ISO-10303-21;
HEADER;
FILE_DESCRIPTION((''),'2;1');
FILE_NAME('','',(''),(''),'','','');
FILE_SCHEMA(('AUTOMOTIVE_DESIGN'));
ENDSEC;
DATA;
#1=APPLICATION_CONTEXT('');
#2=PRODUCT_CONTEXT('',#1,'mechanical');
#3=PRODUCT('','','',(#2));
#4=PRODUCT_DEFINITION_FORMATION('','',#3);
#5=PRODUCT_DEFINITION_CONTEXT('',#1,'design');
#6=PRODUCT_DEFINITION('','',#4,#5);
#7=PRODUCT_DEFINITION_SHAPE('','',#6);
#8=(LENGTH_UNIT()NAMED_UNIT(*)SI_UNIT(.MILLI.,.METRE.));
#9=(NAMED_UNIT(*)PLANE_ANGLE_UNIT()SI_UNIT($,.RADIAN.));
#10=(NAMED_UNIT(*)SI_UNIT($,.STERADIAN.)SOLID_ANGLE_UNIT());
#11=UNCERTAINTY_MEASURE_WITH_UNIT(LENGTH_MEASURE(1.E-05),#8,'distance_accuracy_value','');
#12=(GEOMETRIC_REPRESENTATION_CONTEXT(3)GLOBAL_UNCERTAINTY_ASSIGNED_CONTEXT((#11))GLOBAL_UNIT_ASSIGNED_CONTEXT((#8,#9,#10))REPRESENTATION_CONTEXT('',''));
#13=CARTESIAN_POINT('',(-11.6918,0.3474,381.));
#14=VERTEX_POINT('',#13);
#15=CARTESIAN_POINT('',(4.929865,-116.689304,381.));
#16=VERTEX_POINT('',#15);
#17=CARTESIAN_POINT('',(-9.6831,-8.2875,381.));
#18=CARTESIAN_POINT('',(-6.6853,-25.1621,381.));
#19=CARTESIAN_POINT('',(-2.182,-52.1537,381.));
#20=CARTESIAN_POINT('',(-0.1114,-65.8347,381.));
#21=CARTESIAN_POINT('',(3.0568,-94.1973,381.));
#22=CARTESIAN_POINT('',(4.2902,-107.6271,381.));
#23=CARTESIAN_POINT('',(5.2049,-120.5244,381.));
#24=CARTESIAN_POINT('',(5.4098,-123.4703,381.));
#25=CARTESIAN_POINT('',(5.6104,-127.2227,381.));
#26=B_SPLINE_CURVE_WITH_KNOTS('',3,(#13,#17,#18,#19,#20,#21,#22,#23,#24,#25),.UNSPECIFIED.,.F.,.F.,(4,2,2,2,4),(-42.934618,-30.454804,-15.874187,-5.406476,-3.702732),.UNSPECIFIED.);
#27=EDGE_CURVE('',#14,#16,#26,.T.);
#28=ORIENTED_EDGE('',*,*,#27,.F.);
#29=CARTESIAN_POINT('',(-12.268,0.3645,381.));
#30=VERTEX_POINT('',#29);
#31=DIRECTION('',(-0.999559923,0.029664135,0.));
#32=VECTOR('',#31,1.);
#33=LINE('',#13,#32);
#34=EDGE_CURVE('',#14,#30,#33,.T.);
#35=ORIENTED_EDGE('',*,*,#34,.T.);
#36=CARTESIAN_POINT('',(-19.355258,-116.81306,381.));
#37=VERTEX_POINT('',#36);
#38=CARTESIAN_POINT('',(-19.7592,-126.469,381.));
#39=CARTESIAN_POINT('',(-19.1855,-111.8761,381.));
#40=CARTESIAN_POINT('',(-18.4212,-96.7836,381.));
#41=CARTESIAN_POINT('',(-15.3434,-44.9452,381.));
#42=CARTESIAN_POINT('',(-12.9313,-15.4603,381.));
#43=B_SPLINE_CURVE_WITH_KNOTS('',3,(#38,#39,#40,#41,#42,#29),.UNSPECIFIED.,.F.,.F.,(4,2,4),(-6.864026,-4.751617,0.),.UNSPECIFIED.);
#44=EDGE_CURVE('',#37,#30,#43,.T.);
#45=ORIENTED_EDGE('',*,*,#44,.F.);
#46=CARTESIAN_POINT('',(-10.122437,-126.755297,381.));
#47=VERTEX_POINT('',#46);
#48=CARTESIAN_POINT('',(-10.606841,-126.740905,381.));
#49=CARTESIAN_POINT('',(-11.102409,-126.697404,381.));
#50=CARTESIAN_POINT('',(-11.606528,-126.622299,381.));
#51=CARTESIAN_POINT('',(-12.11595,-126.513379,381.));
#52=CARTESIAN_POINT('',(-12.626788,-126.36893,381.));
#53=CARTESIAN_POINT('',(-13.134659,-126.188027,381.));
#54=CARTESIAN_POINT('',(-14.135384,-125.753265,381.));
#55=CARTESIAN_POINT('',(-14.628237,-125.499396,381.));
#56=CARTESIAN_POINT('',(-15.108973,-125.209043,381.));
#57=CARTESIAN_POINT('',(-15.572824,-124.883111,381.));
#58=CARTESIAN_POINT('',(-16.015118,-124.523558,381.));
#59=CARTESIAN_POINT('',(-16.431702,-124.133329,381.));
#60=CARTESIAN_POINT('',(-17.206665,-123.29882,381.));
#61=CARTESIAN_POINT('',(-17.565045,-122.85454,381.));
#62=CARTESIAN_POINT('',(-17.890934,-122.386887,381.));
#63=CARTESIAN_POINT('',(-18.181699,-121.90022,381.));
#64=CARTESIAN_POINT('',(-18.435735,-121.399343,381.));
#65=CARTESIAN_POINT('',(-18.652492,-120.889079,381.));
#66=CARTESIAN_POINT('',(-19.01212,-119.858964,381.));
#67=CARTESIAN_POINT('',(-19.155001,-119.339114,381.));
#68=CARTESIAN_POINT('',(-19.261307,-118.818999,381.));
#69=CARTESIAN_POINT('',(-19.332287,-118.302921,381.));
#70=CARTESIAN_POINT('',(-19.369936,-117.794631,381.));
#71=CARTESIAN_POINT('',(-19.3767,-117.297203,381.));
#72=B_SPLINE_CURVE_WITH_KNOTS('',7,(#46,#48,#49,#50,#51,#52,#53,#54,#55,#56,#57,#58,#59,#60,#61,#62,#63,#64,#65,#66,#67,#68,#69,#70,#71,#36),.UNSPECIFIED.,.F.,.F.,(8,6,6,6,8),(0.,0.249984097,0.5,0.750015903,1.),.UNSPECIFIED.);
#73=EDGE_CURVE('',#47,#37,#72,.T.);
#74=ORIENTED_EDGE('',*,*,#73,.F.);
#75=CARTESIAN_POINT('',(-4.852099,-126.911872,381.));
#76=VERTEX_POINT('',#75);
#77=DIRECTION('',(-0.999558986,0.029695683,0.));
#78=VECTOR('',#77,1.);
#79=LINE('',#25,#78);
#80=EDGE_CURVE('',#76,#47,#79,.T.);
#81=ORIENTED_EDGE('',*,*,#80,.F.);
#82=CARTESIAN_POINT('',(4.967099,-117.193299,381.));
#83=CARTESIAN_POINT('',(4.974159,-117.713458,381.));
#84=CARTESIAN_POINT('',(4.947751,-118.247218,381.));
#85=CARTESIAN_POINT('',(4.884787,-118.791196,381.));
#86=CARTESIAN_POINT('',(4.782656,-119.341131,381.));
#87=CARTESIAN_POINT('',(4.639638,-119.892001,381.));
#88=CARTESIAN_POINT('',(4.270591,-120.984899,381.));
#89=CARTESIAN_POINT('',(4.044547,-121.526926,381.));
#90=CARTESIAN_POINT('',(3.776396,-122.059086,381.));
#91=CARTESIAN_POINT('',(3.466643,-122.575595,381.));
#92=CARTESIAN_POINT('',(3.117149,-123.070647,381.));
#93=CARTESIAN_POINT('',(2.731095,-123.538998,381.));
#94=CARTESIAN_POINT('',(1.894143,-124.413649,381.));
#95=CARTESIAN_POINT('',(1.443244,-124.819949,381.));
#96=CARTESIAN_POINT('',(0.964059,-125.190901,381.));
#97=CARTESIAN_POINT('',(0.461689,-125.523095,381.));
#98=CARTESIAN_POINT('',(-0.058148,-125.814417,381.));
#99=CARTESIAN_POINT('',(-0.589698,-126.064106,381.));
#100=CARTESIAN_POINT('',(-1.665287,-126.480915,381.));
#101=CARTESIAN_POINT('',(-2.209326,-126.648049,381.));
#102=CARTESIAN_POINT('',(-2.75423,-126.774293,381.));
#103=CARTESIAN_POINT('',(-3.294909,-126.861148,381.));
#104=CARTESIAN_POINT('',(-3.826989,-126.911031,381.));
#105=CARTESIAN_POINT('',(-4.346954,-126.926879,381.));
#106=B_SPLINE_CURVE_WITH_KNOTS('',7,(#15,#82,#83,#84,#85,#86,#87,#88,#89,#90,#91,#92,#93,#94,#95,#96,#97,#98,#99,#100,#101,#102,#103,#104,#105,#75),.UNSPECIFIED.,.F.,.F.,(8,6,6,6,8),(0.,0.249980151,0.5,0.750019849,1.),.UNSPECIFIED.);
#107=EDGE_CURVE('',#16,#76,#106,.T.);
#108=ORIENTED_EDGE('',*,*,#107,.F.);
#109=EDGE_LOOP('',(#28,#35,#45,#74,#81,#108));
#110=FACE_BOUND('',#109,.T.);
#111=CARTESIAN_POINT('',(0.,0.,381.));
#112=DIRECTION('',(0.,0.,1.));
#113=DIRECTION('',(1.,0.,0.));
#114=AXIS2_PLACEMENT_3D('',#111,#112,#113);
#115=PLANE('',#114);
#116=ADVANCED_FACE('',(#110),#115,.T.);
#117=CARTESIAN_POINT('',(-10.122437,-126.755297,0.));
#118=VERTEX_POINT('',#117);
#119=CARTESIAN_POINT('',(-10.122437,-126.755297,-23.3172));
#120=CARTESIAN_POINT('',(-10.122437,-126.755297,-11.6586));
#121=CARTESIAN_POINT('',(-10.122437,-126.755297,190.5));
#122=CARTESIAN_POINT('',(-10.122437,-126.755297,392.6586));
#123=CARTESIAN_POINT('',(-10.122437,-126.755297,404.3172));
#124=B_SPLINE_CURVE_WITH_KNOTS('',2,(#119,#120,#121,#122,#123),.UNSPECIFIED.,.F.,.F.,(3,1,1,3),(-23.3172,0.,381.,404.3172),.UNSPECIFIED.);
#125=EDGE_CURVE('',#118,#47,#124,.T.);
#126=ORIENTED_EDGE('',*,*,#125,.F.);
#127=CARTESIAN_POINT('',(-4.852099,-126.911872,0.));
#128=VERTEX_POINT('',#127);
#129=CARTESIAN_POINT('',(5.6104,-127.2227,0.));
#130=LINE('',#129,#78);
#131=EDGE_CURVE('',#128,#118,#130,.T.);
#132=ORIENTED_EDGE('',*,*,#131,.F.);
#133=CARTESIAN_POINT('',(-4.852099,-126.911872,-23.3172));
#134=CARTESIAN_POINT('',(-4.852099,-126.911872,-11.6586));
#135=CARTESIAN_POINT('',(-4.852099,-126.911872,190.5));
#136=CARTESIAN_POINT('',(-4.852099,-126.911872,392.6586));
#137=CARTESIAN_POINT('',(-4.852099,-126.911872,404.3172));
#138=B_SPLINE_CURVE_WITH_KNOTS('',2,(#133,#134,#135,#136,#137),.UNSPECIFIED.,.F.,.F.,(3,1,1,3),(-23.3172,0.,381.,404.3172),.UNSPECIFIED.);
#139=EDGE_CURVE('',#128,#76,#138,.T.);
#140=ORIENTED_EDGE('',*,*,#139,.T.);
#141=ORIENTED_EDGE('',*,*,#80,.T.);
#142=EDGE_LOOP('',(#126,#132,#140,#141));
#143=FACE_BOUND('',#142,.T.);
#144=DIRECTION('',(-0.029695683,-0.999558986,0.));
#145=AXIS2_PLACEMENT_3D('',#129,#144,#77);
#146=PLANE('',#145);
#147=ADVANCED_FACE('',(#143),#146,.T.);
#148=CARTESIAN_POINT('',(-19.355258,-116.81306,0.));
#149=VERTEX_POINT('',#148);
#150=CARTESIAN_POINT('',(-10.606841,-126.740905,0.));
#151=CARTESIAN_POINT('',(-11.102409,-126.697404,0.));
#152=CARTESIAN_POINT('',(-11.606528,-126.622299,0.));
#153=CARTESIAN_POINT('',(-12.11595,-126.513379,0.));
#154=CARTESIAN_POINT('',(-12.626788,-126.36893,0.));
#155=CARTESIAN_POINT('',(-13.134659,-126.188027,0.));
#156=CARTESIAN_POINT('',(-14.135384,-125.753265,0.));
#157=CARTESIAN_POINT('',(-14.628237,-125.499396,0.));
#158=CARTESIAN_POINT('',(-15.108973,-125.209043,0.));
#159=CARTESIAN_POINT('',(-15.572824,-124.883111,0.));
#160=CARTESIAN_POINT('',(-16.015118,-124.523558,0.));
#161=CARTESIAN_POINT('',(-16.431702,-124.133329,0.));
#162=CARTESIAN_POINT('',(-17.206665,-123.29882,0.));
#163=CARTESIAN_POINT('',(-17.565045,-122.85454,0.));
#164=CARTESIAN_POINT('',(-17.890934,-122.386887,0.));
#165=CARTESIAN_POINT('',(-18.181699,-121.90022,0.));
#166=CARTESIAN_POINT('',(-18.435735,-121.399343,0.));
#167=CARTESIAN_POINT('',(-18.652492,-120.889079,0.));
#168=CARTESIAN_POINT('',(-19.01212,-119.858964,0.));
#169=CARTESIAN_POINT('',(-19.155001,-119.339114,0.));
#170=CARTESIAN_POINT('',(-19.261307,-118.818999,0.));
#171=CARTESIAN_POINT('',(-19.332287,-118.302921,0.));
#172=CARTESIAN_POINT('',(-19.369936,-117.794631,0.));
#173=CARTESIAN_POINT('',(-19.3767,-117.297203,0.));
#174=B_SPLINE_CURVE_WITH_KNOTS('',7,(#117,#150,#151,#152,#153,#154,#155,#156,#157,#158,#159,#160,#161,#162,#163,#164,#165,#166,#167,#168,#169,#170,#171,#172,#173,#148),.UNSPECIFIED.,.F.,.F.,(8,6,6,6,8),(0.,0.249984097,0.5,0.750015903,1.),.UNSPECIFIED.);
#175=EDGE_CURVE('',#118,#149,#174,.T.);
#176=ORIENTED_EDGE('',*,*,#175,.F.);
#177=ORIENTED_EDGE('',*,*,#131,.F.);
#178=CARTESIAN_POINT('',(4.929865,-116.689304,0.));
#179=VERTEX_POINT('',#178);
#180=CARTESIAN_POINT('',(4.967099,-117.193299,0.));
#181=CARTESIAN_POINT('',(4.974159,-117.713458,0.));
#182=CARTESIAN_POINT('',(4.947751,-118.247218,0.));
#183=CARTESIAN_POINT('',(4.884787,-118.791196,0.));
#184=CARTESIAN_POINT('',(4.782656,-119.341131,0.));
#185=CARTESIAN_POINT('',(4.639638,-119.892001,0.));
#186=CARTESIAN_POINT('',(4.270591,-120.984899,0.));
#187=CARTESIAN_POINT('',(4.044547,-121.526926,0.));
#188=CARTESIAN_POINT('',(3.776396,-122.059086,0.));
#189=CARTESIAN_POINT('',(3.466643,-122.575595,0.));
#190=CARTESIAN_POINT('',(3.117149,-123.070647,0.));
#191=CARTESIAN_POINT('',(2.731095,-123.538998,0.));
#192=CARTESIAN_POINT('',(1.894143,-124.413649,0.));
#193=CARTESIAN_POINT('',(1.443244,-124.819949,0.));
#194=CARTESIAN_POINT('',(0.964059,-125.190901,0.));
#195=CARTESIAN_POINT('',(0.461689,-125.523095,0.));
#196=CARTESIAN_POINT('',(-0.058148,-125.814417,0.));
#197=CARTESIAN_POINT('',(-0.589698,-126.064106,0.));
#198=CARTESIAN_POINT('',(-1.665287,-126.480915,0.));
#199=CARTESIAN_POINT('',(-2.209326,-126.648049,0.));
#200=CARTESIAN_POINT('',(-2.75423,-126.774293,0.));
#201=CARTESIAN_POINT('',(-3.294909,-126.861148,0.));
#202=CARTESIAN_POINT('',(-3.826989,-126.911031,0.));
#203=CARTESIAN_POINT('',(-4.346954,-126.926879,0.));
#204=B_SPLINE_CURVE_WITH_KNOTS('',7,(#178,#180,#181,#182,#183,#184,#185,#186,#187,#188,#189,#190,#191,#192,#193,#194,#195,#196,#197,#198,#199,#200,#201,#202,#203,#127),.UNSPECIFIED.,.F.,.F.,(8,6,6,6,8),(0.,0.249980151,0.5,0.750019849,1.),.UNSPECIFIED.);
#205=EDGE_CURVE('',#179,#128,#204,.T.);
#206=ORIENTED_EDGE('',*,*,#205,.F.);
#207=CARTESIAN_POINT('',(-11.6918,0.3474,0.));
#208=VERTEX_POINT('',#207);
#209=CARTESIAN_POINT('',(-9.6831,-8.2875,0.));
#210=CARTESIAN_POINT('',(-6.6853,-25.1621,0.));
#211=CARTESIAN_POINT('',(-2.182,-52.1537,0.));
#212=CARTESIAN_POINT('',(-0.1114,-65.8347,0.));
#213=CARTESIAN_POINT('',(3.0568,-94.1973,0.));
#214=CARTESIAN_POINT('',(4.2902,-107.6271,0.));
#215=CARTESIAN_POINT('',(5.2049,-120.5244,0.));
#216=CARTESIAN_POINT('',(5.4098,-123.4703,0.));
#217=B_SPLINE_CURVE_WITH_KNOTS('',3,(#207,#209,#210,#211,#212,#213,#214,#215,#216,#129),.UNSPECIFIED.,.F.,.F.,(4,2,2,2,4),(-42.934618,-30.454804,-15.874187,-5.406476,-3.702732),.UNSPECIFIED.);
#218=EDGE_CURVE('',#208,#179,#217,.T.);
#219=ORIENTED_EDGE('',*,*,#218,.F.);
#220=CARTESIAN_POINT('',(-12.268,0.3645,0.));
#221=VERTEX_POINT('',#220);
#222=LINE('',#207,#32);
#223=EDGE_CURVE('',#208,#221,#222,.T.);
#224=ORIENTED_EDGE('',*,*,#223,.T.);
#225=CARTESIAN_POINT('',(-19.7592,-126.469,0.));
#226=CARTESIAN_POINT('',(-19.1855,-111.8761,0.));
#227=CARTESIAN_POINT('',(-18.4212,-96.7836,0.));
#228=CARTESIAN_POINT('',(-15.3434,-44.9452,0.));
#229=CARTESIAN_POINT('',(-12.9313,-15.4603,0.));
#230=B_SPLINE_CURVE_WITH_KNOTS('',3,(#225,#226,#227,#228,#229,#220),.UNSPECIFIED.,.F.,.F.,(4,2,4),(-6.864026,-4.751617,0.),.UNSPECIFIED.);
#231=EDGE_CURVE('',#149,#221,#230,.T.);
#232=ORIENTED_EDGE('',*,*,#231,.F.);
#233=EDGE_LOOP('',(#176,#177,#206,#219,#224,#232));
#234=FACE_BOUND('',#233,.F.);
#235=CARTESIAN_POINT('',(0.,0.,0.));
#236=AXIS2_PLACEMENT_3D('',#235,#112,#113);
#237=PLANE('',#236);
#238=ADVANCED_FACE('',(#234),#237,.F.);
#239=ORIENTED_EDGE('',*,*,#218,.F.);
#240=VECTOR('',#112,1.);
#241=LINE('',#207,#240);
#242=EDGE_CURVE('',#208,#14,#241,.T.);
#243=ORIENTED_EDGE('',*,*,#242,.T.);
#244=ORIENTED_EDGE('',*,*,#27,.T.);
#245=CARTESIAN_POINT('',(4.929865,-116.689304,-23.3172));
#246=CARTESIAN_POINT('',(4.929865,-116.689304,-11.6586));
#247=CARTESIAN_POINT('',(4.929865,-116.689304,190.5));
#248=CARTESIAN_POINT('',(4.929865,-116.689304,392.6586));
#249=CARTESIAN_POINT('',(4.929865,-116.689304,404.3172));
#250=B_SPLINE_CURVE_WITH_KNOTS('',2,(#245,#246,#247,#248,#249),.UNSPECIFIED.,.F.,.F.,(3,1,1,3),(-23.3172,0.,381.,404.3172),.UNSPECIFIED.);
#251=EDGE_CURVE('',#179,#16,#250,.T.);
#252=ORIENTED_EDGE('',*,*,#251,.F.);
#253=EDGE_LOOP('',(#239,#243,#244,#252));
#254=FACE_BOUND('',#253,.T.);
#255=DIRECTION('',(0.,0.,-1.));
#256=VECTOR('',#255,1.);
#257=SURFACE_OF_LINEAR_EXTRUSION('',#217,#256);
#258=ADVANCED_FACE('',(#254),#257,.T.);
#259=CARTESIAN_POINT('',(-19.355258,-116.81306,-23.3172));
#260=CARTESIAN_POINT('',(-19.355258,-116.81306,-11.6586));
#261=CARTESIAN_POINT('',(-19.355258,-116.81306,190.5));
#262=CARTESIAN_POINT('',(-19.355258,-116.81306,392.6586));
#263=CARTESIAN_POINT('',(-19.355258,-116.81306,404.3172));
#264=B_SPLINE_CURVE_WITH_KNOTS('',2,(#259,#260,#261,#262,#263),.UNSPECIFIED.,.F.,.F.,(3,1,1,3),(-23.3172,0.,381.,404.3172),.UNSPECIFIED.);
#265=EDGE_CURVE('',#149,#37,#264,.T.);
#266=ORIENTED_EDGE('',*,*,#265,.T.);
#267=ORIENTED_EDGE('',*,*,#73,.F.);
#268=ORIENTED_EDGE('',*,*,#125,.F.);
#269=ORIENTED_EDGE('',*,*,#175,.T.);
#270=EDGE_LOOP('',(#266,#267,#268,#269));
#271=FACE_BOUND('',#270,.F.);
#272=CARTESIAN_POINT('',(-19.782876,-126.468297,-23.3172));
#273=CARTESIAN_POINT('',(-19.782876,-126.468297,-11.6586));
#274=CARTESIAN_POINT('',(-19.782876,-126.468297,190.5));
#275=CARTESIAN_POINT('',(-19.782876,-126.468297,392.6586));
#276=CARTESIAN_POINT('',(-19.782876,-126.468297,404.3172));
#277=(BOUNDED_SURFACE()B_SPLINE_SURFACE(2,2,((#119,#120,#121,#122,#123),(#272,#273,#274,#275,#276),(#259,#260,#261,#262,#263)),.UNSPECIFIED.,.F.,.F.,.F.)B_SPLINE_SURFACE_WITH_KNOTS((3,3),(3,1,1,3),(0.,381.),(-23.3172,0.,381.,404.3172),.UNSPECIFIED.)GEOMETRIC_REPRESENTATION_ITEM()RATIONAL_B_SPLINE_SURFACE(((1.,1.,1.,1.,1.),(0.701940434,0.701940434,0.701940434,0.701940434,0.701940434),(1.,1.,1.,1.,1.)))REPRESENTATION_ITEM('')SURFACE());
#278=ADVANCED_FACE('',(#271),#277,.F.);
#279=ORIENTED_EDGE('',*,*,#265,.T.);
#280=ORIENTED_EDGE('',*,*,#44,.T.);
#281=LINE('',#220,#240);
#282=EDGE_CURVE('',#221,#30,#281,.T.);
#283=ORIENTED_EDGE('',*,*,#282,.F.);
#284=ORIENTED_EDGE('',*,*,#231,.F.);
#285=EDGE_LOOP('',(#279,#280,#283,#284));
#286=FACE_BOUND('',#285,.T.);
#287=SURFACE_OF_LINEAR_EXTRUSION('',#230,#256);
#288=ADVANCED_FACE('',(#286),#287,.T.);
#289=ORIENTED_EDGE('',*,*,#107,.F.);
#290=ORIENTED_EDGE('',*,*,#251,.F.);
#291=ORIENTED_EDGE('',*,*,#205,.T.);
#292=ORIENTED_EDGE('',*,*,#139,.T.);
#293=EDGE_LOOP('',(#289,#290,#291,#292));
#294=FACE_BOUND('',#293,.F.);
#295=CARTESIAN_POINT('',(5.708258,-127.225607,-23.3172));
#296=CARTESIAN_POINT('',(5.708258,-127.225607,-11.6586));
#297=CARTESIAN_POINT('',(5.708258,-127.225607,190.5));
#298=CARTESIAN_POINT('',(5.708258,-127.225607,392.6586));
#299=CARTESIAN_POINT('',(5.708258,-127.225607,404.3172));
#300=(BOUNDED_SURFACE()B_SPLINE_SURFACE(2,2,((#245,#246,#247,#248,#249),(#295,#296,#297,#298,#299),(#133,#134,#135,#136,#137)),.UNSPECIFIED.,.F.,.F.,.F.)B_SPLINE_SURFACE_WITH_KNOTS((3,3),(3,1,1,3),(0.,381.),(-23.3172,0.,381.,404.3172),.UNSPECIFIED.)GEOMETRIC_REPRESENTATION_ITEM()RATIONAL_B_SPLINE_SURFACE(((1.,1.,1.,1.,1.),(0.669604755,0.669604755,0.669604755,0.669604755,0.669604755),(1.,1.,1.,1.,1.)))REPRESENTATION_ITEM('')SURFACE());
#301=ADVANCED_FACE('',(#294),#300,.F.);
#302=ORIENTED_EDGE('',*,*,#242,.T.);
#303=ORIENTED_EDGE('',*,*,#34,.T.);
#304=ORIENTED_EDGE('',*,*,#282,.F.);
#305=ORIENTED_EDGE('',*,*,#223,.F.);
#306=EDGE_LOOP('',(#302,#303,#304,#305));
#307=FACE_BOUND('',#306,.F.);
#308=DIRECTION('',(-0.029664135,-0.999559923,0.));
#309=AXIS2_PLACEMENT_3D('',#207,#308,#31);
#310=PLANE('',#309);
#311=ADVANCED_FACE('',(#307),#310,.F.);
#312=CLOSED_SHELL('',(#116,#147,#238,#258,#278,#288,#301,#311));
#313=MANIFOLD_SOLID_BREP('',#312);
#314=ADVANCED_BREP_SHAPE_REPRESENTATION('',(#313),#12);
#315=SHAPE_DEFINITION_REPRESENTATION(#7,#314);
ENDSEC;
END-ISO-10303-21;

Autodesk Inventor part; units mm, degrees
ref_plane "YZ Plane" through (0, 0, 0) normal (1, 0, 0) x (0, 1, 0)
ref_plane "XZ Plane" through (0, 0, 0) normal (0, 1, 0) x (-1, 0, 0)
ref_plane "Work Plane1" through (0, 0, 0) normal (0, 0, 1) x (1, 0, 0)
sketch "Sketch1" plane through (0, 0, 0) normal (0, 0, 1) x (1, 0, 0)
  spline S0 degree 3 poles (-11.6918, 0.3474) (-9.6831, -8.2875) (-6.6853, -25.1621) (-2.182, -52.1537) (-0.1114, -65.8347) (3.0568, -94.1973) (4.2902, -107.6271) (5.2049, -120.5244) (5.4098, -123.4703) (5.6104, -127.2227) knots -42.934618 -42.934618 -42.934618 -42.934618 -30.454804 -30.454804 -15.874187 -15.874187 -5.406476 -5.406476 -3.702732 -3.702732 -3.702732 -3.702732 projected
  line L0 (-11.6918, 0.3474) -> (-12.268, 0.3645) projected
  spline S1 degree 3 poles (-19.7592, -126.469) (-19.1855, -111.8761) (-18.4212, -96.7836) (-15.3434, -44.9452) (-12.9313, -15.4603) (-12.268, 0.3645) knots -6.864026 -6.864026 -6.864026 -6.864026 -4.751617 -4.751617 0 0 0 0 projected
  line L1 (5.6104, -127.2227) -> (-19.7592, -126.469) projected
  point P0 (0, 0)
ref_plane "Work Plane2" through (-23.668, -128.0007, 381) normal (0, 0, -1) x (0, 1, 0)
extrude "Extrusion1" add sketch "Sketch1" along normal up to surface (381 mm away)
fillet "Fillet1" radius 9.525 2 edges at (5.6104, -127.2227, 190.5) (-19.7592, -126.469, 190.5)
properties part number "Vtail"
